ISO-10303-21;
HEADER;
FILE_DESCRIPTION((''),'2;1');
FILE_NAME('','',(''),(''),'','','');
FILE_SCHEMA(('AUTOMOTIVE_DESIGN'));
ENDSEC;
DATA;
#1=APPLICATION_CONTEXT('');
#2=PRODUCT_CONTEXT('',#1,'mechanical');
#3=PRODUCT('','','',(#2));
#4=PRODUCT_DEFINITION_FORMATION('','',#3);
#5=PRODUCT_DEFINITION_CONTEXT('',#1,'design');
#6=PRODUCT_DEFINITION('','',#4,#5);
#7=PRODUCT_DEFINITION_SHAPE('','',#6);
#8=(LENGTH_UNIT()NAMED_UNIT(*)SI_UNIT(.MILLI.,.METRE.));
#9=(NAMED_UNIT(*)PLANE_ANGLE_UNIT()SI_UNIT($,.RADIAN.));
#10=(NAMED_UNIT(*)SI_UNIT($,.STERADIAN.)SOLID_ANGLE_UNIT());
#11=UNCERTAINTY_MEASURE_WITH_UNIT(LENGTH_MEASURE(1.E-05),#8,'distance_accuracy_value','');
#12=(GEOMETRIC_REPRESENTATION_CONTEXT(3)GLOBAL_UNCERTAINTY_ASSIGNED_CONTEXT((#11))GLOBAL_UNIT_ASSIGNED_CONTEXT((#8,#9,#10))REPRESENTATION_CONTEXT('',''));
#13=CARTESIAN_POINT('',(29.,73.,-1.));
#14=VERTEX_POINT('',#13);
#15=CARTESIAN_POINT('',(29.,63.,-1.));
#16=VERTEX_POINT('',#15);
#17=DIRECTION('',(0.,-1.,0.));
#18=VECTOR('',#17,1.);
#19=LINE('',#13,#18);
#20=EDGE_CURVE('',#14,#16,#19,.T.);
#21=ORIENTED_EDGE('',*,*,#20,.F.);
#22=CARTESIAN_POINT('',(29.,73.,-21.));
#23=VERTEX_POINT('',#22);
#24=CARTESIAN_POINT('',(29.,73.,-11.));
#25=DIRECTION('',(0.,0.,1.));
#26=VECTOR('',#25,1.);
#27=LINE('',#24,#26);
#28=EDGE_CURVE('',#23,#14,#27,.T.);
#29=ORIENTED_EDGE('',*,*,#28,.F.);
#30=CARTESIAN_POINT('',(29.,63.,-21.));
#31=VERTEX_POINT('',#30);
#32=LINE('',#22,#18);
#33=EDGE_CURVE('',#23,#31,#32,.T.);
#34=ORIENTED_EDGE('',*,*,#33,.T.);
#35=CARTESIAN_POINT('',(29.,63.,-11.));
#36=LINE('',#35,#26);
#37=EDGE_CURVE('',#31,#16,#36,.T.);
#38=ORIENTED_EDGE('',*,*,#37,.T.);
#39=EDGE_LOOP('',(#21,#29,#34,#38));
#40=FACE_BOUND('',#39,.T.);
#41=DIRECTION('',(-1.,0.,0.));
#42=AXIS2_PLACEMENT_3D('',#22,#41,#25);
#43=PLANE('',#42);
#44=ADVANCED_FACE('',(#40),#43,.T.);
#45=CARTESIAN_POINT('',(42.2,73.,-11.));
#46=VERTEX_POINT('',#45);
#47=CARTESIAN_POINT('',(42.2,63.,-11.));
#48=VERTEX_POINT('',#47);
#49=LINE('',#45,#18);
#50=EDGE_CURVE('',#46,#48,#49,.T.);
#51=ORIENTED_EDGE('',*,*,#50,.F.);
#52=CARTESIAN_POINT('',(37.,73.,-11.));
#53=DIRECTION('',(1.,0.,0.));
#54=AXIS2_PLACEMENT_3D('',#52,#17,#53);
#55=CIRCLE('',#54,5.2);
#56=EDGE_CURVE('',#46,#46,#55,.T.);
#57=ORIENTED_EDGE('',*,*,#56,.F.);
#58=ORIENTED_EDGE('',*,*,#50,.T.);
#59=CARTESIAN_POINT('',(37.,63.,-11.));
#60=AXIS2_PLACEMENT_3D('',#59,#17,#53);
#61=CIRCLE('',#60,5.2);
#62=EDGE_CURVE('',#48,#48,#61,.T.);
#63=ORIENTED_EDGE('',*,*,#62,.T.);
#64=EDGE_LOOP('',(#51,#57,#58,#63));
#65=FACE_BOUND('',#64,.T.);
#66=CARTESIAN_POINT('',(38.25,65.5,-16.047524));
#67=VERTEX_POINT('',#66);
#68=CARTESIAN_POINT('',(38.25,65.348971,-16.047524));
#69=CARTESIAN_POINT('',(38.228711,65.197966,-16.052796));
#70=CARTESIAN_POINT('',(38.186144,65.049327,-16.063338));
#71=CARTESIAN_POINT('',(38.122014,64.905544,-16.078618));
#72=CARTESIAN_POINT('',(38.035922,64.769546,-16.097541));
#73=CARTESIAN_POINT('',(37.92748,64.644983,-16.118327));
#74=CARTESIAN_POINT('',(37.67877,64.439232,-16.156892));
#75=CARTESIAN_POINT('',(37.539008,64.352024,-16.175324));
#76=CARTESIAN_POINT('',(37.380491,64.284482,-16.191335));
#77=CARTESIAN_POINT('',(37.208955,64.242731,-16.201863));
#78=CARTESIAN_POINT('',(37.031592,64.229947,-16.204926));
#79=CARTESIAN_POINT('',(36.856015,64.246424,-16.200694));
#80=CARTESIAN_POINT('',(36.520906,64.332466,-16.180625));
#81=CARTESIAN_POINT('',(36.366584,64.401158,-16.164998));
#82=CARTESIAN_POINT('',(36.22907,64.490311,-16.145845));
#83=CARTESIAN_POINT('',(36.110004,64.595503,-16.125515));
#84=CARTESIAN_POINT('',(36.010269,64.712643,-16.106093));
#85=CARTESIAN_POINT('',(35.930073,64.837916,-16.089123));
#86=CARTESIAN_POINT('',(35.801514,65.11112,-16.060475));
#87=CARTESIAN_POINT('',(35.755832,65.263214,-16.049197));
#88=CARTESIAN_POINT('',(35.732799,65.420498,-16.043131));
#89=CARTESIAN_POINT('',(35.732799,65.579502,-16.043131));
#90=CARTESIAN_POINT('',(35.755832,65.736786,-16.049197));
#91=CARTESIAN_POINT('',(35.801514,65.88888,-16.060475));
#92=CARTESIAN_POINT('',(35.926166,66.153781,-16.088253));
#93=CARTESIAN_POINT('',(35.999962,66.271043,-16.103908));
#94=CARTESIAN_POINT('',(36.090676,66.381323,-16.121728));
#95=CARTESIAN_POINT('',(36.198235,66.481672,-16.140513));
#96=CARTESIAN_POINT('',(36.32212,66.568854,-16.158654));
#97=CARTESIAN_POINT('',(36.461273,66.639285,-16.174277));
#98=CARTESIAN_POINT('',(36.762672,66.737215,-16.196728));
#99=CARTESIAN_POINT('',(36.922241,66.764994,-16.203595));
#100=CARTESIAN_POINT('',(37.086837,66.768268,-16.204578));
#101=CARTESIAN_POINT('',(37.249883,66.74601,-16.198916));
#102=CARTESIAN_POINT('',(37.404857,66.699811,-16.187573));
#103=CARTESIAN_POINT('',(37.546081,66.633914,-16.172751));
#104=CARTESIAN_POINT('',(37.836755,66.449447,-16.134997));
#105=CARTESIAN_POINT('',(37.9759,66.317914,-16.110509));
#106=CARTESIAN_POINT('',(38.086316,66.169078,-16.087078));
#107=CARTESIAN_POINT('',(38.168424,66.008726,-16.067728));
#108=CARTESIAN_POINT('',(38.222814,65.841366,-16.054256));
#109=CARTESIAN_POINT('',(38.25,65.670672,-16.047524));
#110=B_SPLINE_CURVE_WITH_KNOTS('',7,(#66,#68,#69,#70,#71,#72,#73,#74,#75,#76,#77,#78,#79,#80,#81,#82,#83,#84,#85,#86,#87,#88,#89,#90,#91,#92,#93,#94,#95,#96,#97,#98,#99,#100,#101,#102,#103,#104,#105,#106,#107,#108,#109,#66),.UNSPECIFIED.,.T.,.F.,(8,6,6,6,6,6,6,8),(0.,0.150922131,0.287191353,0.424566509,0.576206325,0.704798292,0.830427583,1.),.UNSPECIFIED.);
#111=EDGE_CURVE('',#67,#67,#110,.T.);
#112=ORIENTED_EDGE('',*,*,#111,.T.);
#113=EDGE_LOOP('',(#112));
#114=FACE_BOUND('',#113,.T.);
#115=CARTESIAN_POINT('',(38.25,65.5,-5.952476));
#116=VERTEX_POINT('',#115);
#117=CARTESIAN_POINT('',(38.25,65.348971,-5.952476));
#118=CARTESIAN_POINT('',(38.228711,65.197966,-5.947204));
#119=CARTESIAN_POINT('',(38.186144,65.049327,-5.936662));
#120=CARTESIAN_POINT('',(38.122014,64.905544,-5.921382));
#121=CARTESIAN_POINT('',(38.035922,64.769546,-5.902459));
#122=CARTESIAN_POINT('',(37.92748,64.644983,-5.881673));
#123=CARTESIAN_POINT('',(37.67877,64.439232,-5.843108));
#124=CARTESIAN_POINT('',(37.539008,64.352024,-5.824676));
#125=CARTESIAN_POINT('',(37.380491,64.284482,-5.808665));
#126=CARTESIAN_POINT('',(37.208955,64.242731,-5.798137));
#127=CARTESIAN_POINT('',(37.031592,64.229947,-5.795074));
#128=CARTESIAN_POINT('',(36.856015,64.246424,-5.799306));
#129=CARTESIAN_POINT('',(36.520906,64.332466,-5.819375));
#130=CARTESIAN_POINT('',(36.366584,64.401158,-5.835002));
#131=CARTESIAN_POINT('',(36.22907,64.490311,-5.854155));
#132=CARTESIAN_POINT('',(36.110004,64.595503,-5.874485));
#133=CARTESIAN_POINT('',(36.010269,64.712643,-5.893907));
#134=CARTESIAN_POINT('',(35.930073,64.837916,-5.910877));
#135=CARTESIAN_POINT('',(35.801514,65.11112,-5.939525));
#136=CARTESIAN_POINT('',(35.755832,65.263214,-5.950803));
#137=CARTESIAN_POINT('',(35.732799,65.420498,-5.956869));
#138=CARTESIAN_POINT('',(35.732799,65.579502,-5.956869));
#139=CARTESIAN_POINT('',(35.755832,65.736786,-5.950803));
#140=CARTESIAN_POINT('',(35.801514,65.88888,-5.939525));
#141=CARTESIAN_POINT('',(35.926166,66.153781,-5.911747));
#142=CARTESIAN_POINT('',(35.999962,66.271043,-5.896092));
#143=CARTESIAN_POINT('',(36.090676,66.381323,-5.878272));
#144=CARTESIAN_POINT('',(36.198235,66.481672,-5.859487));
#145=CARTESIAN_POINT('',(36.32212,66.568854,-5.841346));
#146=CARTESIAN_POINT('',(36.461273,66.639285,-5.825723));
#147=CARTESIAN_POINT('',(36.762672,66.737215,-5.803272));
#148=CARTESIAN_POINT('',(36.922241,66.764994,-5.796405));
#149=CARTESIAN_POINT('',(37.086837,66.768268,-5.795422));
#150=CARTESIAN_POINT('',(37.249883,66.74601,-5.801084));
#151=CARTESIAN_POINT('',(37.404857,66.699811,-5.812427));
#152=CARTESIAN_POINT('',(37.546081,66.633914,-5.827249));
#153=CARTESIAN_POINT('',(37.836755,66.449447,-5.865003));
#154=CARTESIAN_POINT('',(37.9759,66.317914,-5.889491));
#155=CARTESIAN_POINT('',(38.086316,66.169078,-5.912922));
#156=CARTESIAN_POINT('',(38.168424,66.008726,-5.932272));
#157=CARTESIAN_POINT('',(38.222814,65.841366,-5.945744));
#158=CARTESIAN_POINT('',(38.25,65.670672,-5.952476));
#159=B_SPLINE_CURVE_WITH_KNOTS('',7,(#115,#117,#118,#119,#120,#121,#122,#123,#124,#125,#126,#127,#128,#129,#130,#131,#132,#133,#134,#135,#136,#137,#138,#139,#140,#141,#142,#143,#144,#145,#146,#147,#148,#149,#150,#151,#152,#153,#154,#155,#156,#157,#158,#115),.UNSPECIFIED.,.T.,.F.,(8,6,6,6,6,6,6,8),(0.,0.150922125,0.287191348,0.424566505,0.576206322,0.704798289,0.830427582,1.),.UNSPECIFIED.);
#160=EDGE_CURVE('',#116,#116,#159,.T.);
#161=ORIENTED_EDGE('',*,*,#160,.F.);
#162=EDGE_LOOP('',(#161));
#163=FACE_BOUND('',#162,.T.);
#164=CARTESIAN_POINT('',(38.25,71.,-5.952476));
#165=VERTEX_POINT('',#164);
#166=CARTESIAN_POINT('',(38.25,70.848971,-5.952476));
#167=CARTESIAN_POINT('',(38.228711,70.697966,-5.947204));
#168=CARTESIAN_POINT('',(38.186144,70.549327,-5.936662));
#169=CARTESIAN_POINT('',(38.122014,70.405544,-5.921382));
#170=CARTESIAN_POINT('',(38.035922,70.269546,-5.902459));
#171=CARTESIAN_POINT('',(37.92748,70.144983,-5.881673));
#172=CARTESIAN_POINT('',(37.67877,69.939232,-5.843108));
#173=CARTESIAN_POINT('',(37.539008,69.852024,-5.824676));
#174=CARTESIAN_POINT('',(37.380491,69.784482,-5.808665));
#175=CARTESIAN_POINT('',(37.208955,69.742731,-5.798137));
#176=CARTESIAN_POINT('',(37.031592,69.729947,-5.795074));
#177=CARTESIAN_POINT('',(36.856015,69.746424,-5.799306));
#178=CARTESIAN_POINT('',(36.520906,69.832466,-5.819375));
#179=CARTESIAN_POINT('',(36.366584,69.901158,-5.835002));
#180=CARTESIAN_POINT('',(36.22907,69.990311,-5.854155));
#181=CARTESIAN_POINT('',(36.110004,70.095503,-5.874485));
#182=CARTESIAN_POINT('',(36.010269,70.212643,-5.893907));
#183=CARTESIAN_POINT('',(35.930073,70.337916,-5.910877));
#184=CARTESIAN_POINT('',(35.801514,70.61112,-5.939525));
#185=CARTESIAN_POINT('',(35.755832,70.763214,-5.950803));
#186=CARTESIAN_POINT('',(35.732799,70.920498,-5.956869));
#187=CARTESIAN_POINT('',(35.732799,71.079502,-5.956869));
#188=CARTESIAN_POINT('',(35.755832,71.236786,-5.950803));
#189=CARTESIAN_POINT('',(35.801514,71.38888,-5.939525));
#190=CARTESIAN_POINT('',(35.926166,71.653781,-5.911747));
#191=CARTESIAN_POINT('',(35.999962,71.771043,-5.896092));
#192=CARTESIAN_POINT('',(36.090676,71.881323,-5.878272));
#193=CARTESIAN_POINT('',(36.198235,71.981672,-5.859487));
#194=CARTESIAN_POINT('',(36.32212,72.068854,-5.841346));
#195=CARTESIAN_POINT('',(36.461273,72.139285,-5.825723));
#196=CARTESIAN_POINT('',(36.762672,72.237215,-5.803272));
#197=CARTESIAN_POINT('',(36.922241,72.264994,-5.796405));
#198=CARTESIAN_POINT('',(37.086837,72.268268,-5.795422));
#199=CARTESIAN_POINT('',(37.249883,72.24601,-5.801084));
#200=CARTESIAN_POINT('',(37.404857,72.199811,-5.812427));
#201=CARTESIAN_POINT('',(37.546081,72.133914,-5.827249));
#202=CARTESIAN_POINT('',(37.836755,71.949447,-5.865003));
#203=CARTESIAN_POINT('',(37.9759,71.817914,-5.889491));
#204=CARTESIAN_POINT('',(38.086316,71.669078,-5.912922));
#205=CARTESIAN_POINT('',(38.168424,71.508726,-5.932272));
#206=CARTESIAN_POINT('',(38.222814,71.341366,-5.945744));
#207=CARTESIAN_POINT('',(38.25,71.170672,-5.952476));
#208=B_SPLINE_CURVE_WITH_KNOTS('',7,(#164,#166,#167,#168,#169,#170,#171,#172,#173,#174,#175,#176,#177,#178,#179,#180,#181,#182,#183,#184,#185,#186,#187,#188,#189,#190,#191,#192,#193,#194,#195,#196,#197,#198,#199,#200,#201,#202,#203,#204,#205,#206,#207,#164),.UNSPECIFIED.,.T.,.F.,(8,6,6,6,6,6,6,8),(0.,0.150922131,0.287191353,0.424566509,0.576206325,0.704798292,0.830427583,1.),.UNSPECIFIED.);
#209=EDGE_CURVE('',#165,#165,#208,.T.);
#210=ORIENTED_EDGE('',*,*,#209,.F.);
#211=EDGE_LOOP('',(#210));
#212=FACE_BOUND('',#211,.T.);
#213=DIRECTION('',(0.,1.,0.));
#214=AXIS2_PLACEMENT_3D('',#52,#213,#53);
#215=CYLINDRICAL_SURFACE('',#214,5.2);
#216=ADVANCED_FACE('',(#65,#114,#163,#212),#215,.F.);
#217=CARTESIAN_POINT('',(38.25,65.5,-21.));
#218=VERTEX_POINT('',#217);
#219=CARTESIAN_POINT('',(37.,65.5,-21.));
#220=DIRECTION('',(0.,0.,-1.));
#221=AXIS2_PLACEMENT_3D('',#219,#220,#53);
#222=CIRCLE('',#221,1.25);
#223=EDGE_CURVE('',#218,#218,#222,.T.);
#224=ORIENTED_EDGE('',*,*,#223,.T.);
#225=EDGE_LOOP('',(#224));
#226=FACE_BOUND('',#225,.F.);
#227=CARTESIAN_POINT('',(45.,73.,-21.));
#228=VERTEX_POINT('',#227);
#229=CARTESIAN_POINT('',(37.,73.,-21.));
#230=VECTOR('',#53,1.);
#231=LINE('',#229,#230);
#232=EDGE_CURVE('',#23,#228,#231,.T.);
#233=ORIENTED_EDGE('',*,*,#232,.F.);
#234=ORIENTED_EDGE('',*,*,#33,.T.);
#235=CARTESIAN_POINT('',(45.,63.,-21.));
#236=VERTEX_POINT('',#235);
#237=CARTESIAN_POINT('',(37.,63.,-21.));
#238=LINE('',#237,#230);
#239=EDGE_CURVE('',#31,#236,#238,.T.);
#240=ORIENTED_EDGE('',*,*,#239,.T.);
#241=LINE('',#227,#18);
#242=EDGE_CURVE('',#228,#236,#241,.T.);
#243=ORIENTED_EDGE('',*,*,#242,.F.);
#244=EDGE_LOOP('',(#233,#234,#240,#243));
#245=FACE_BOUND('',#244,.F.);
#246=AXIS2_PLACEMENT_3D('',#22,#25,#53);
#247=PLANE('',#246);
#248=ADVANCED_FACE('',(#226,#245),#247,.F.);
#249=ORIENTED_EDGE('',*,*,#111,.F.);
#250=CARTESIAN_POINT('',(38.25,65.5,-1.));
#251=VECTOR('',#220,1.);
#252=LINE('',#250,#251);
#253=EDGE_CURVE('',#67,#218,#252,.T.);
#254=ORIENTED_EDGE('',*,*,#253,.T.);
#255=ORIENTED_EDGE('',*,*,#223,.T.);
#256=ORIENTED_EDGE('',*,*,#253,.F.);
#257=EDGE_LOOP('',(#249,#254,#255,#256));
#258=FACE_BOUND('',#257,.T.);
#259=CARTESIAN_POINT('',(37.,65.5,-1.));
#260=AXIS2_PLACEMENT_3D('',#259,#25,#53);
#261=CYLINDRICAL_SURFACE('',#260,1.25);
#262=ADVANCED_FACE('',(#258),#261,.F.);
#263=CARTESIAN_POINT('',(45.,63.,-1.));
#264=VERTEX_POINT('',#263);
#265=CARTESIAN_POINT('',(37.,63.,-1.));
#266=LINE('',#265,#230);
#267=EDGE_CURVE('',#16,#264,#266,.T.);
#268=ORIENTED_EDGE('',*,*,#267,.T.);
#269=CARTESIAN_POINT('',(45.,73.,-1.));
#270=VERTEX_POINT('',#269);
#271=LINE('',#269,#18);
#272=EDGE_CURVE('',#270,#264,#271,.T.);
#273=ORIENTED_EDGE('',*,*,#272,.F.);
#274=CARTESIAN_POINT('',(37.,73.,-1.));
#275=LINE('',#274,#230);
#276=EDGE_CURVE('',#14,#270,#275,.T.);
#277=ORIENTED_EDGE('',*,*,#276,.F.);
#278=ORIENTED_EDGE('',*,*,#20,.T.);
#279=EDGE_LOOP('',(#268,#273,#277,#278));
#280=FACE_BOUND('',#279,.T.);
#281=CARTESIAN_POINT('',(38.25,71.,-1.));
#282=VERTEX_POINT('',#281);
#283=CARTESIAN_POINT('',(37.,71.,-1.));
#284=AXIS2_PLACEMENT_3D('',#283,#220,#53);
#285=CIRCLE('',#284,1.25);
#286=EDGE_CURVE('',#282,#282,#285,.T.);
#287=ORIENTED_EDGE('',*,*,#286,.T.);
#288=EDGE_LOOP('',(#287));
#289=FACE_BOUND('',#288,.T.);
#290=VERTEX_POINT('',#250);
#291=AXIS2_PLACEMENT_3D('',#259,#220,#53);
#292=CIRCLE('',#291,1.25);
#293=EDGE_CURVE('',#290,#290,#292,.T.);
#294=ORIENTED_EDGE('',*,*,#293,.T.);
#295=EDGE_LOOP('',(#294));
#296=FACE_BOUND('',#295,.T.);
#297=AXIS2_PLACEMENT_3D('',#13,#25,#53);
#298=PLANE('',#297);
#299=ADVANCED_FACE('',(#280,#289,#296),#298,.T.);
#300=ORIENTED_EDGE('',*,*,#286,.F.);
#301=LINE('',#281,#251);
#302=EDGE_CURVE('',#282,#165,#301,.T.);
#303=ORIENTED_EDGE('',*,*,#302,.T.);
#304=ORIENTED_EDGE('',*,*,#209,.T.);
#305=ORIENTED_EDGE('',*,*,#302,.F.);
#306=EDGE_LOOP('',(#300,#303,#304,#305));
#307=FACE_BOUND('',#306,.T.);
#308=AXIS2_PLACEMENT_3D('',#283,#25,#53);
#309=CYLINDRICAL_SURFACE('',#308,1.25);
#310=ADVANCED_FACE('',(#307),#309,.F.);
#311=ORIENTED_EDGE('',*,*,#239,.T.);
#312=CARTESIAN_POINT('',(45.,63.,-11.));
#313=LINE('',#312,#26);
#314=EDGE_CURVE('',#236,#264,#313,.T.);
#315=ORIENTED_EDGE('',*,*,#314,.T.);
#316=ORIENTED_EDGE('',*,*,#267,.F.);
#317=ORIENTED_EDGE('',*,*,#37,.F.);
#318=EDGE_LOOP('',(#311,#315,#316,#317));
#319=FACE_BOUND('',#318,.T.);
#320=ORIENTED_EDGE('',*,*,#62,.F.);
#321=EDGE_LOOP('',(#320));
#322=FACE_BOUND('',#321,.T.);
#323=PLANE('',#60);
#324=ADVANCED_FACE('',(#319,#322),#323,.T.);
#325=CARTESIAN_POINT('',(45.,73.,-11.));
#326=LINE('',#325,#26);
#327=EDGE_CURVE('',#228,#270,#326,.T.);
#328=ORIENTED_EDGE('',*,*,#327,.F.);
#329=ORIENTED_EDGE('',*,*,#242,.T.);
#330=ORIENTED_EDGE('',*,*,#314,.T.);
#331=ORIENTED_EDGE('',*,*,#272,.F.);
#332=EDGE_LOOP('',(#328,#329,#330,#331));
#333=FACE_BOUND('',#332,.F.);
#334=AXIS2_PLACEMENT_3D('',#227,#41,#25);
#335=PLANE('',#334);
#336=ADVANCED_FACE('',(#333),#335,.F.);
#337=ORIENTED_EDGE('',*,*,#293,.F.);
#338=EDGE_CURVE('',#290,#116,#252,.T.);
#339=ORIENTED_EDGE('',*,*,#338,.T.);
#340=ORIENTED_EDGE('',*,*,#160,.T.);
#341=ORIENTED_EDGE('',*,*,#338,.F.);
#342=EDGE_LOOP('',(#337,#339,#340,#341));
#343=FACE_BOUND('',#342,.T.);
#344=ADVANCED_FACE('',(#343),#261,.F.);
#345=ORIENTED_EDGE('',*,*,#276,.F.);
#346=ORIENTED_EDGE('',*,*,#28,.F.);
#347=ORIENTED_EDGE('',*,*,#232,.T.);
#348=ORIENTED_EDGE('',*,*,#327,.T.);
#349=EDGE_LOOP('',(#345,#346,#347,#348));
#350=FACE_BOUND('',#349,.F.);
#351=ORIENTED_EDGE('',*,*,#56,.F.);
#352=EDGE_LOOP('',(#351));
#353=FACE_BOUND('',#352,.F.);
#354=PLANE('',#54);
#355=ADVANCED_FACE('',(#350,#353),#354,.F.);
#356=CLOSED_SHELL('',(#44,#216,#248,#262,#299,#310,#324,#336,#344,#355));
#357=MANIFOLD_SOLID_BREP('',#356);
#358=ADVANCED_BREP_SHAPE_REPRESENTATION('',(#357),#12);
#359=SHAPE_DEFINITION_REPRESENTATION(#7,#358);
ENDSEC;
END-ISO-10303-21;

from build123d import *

# Parameters (mm, degrees)
CYLINDER938_R          = 1.25
CYLINDER938_DEPTH      = 10
CYLINDER938_ROLL_ANGLE = 90
CYLINDER939_R          = 1.25
CYLINDER939_DEPTH      = 20
CYLINDER939_ROLL_ANGLE = 90
CYLINDER937_R          = 5.2
CYLINDER937_DEPTH      = 10
BOX555_W               = 16
BOX555_H               = 20
BOX555_DEPTH           = 10
CUT690_ROLL_ANGLE      = 90


with BuildPart() as cylinder1081:
    # Cylinder938 → Cylinder938 (new body)
    with BuildSketch(Plane.XY):
        Circle(CYLINDER938_R)
    extrude(amount=CYLINDER938_DEPTH)


with BuildPart() as cylinder1081_1:
    # Cylinder938 roll: moved
    add(cylinder1081.part.rotate(Axis((0, 0, 0), (1, 0, 0)), CYLINDER938_ROLL_ANGLE))


with BuildPart() as cylinder1081_2:
    # Cylinder938 placement: moved
    add(cylinder1081_1.part.moved(Location((0, 10, 2))))


with BuildPart() as fusion587:
    # Cylinder939 → Cylinder939 (new body)
    with BuildSketch(Plane.XY):
        Circle(CYLINDER939_R)
    extrude(amount=CYLINDER939_DEPTH)


with BuildPart() as fusion587_1:
    # Cylinder939 roll: moved
    add(fusion587.part.rotate(Axis((0, 0, 0), (1, 0, 0)), CYLINDER939_ROLL_ANGLE))


with BuildPart() as fusion587_2:
    # Cylinder939 placement: moved
    add(fusion587_1.part.moved(Location((0, 10, 7.5))))

    # Fusion587: union Cylinder1081
    add(cylinder1081_2.part)


with BuildPart() as cylinder1080:
    # Cylinder937 → Cylinder937 (new body)
    with BuildSketch(Plane.XY):
        Circle(CYLINDER937_R)
    extrude(amount=CYLINDER937_DEPTH)


with BuildPart() as servo_shaft_coupler_holes:
    # Box555 → Box555 (new body)
    with BuildSketch(Plane(origin=(-8, -10, 0), x_dir=(1, 0, 0), z_dir=(0, 0, 1))):
        with Locations((8, 10)):
            Rectangle(BOX555_W, BOX555_H)
    extrude(amount=BOX555_DEPTH)

    # Cut689: cut Cylinder1080
    add(cylinder1080.part, mode=Mode.SUBTRACT)

    # Cut690: cut Fusion587
    add(fusion587_2.part, mode=Mode.SUBTRACT)


with BuildPart() as servo_shaft_coupler_holes_1:
    # Cut690 roll: moved
    add(servo_shaft_coupler_holes.part.rotate(Axis((0, 0, 0), (1, 0, 0)), CUT690_ROLL_ANGLE))


with BuildPart() as servo_shaft_coupler_holes_2:
    # Cut690 placement: moved
    add(servo_shaft_coupler_holes_1.part.moved(Location((37, 73, -11))))


solid = servo_shaft_coupler_holes_2.part
